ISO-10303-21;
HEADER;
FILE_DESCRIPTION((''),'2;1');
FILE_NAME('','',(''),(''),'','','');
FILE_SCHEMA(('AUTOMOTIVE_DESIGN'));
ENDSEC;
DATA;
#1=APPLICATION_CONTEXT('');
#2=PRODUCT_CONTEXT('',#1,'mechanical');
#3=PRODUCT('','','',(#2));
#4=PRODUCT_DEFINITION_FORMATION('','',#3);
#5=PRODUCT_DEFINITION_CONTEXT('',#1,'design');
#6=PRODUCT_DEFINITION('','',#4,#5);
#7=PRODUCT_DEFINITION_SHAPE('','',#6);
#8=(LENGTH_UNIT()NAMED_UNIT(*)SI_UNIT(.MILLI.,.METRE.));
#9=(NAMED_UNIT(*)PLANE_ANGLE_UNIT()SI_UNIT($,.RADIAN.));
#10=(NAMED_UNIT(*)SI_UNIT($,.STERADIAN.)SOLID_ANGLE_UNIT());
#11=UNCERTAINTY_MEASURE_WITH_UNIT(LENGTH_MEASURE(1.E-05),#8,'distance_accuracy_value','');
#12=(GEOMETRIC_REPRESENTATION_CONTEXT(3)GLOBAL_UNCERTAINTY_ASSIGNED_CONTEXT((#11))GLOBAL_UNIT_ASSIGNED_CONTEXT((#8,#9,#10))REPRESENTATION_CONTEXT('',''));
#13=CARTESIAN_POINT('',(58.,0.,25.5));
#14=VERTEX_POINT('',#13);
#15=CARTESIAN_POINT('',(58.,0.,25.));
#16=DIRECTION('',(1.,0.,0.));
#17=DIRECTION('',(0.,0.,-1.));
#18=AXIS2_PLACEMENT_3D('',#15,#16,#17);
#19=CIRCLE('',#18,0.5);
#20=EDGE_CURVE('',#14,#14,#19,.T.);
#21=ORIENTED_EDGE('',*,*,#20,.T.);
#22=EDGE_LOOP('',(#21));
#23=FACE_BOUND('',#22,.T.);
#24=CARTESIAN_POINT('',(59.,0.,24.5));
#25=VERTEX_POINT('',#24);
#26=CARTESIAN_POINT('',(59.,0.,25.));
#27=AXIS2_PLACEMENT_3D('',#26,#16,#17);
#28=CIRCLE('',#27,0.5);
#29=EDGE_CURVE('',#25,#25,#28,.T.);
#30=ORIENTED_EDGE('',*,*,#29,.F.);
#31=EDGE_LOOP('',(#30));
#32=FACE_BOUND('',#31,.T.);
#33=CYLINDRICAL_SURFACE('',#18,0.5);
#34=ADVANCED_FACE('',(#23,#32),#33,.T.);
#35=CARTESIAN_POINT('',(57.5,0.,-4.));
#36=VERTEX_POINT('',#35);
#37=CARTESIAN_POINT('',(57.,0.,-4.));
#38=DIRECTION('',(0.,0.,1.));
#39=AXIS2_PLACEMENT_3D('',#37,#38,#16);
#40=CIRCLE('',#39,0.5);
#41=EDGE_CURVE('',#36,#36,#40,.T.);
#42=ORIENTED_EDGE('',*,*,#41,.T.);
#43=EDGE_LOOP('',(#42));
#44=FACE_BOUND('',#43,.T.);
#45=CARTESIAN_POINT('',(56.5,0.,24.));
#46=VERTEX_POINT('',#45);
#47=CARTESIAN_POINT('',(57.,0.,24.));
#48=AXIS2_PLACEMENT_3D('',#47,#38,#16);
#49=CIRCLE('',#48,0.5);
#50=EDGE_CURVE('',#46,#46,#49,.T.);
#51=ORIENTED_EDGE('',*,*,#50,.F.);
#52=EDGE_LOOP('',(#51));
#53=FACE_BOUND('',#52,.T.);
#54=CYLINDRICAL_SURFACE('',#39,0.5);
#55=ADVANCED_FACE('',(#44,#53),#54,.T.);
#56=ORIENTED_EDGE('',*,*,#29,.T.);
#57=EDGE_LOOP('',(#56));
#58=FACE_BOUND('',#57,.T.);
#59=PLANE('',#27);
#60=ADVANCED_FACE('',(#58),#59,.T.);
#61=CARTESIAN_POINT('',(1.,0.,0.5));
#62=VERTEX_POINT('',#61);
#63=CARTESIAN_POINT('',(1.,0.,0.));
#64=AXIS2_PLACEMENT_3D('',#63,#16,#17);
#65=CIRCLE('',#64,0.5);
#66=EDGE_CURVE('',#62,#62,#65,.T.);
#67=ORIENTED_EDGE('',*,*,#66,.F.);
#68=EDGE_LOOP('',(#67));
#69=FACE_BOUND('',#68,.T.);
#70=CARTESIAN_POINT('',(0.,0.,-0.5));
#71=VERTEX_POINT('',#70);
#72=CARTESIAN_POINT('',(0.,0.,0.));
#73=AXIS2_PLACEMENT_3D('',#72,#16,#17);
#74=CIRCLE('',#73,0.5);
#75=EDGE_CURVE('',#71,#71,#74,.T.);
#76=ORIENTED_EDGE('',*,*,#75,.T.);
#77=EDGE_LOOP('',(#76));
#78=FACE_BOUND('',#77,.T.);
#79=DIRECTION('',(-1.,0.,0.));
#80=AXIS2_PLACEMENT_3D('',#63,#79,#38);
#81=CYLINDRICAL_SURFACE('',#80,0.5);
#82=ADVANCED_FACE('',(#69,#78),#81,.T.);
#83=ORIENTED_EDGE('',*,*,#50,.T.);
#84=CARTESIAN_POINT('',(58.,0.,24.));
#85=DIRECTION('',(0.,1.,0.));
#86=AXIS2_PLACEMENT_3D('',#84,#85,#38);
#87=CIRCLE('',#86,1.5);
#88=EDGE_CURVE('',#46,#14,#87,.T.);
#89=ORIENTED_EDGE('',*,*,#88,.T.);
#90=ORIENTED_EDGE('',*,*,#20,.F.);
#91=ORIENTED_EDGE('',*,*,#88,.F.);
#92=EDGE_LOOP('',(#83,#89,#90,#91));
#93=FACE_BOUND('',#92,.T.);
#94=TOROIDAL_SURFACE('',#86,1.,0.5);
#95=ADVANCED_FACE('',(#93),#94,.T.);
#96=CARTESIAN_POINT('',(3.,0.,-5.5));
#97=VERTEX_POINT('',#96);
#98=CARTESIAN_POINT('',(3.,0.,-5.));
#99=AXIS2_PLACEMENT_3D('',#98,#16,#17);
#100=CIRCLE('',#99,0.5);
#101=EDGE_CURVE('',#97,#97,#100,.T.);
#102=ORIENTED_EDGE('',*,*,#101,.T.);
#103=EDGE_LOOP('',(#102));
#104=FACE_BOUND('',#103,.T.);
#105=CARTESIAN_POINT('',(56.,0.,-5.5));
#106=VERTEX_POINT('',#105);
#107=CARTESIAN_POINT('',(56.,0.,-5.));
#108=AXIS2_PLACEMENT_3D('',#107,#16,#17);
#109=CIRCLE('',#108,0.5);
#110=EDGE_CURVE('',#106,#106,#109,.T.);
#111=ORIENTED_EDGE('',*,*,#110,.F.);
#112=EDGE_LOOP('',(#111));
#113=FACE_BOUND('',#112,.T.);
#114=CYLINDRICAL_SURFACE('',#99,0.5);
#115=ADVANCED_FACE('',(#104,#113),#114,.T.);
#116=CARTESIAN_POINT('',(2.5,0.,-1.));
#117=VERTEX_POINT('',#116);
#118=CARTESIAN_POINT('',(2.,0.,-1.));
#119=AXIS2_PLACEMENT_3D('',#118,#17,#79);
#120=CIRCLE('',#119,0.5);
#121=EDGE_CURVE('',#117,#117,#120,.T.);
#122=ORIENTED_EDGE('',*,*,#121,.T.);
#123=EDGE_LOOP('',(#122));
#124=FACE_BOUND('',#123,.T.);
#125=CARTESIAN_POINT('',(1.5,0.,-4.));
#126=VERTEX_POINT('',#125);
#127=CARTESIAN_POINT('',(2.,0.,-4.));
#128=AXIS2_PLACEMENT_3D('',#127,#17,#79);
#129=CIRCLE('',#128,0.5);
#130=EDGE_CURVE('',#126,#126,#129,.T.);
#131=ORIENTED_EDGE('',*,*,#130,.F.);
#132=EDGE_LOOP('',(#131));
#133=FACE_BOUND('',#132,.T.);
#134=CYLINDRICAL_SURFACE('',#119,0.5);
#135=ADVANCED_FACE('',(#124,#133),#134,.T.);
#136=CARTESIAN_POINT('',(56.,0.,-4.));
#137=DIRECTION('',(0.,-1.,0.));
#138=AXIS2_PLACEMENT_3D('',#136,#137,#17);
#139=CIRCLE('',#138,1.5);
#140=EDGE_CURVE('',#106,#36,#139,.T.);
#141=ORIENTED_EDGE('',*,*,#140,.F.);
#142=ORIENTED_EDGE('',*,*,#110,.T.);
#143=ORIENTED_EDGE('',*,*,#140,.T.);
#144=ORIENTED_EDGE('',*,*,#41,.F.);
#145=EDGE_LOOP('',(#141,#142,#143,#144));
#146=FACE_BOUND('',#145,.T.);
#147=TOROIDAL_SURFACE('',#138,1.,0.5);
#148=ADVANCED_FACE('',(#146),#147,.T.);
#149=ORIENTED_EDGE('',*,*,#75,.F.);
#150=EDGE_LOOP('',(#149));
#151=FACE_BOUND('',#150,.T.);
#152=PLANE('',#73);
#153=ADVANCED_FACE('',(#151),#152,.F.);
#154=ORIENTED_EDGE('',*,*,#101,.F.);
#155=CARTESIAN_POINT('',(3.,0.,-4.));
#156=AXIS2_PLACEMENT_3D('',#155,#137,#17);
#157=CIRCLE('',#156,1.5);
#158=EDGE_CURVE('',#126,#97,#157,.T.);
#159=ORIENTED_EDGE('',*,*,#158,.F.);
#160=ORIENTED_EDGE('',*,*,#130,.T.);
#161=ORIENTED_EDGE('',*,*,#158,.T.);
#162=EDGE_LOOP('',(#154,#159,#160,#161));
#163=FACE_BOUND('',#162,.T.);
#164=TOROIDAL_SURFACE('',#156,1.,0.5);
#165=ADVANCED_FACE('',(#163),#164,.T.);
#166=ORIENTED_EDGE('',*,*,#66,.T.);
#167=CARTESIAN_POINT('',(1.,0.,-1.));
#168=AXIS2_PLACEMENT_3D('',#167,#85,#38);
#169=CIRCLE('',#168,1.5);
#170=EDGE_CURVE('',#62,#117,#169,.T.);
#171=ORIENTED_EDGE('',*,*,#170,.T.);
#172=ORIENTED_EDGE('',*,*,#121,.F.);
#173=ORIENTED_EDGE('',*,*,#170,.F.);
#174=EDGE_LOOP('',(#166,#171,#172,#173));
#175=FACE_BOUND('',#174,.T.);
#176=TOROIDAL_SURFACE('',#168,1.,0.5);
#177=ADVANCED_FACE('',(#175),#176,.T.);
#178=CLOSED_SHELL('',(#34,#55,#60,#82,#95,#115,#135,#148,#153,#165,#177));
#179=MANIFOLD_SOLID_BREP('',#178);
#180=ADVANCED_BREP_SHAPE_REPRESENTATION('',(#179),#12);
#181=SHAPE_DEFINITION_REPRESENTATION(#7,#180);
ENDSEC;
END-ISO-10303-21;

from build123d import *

# Parameters (mm, degrees)
SKETCH2_R = 0.5


with BuildPart() as part:
    # Sweep1: sweep along a path in Sketch1
    with BuildLine(Plane(origin=(0, 0, 0), x_dir=(1, 0, 0), z_dir=(0, 1, 0))) as sweep1_path:
        Line((59, -25), (58, -25))
        ThreePointArc((58, -25), (57.292893219, -24.707106781), (57, -24))
        Line((57, -24), (57, 4))
        ThreePointArc((57, 4), (56.707106781, 4.707106781), (56, 5))
        Line((56, 5), (3, 5))
        ThreePointArc((3, 5), (2.292893219, 4.707106781), (2, 4))
        Line((2, 4), (2, 1))
        ThreePointArc((2, 1), (1.707106781, 0.292893219), (1, 0))
        Line((1, 0), (0, 0))
    # Sketch2 → Sweep1 (sweep)
    with BuildSketch(Plane(origin=(0, 0, 0), x_dir=(0, 0, -1), z_dir=(1, 0, 0))):
        Circle(SKETCH2_R)
    sweep(path=sweep1_path.line)


solid = part.part
